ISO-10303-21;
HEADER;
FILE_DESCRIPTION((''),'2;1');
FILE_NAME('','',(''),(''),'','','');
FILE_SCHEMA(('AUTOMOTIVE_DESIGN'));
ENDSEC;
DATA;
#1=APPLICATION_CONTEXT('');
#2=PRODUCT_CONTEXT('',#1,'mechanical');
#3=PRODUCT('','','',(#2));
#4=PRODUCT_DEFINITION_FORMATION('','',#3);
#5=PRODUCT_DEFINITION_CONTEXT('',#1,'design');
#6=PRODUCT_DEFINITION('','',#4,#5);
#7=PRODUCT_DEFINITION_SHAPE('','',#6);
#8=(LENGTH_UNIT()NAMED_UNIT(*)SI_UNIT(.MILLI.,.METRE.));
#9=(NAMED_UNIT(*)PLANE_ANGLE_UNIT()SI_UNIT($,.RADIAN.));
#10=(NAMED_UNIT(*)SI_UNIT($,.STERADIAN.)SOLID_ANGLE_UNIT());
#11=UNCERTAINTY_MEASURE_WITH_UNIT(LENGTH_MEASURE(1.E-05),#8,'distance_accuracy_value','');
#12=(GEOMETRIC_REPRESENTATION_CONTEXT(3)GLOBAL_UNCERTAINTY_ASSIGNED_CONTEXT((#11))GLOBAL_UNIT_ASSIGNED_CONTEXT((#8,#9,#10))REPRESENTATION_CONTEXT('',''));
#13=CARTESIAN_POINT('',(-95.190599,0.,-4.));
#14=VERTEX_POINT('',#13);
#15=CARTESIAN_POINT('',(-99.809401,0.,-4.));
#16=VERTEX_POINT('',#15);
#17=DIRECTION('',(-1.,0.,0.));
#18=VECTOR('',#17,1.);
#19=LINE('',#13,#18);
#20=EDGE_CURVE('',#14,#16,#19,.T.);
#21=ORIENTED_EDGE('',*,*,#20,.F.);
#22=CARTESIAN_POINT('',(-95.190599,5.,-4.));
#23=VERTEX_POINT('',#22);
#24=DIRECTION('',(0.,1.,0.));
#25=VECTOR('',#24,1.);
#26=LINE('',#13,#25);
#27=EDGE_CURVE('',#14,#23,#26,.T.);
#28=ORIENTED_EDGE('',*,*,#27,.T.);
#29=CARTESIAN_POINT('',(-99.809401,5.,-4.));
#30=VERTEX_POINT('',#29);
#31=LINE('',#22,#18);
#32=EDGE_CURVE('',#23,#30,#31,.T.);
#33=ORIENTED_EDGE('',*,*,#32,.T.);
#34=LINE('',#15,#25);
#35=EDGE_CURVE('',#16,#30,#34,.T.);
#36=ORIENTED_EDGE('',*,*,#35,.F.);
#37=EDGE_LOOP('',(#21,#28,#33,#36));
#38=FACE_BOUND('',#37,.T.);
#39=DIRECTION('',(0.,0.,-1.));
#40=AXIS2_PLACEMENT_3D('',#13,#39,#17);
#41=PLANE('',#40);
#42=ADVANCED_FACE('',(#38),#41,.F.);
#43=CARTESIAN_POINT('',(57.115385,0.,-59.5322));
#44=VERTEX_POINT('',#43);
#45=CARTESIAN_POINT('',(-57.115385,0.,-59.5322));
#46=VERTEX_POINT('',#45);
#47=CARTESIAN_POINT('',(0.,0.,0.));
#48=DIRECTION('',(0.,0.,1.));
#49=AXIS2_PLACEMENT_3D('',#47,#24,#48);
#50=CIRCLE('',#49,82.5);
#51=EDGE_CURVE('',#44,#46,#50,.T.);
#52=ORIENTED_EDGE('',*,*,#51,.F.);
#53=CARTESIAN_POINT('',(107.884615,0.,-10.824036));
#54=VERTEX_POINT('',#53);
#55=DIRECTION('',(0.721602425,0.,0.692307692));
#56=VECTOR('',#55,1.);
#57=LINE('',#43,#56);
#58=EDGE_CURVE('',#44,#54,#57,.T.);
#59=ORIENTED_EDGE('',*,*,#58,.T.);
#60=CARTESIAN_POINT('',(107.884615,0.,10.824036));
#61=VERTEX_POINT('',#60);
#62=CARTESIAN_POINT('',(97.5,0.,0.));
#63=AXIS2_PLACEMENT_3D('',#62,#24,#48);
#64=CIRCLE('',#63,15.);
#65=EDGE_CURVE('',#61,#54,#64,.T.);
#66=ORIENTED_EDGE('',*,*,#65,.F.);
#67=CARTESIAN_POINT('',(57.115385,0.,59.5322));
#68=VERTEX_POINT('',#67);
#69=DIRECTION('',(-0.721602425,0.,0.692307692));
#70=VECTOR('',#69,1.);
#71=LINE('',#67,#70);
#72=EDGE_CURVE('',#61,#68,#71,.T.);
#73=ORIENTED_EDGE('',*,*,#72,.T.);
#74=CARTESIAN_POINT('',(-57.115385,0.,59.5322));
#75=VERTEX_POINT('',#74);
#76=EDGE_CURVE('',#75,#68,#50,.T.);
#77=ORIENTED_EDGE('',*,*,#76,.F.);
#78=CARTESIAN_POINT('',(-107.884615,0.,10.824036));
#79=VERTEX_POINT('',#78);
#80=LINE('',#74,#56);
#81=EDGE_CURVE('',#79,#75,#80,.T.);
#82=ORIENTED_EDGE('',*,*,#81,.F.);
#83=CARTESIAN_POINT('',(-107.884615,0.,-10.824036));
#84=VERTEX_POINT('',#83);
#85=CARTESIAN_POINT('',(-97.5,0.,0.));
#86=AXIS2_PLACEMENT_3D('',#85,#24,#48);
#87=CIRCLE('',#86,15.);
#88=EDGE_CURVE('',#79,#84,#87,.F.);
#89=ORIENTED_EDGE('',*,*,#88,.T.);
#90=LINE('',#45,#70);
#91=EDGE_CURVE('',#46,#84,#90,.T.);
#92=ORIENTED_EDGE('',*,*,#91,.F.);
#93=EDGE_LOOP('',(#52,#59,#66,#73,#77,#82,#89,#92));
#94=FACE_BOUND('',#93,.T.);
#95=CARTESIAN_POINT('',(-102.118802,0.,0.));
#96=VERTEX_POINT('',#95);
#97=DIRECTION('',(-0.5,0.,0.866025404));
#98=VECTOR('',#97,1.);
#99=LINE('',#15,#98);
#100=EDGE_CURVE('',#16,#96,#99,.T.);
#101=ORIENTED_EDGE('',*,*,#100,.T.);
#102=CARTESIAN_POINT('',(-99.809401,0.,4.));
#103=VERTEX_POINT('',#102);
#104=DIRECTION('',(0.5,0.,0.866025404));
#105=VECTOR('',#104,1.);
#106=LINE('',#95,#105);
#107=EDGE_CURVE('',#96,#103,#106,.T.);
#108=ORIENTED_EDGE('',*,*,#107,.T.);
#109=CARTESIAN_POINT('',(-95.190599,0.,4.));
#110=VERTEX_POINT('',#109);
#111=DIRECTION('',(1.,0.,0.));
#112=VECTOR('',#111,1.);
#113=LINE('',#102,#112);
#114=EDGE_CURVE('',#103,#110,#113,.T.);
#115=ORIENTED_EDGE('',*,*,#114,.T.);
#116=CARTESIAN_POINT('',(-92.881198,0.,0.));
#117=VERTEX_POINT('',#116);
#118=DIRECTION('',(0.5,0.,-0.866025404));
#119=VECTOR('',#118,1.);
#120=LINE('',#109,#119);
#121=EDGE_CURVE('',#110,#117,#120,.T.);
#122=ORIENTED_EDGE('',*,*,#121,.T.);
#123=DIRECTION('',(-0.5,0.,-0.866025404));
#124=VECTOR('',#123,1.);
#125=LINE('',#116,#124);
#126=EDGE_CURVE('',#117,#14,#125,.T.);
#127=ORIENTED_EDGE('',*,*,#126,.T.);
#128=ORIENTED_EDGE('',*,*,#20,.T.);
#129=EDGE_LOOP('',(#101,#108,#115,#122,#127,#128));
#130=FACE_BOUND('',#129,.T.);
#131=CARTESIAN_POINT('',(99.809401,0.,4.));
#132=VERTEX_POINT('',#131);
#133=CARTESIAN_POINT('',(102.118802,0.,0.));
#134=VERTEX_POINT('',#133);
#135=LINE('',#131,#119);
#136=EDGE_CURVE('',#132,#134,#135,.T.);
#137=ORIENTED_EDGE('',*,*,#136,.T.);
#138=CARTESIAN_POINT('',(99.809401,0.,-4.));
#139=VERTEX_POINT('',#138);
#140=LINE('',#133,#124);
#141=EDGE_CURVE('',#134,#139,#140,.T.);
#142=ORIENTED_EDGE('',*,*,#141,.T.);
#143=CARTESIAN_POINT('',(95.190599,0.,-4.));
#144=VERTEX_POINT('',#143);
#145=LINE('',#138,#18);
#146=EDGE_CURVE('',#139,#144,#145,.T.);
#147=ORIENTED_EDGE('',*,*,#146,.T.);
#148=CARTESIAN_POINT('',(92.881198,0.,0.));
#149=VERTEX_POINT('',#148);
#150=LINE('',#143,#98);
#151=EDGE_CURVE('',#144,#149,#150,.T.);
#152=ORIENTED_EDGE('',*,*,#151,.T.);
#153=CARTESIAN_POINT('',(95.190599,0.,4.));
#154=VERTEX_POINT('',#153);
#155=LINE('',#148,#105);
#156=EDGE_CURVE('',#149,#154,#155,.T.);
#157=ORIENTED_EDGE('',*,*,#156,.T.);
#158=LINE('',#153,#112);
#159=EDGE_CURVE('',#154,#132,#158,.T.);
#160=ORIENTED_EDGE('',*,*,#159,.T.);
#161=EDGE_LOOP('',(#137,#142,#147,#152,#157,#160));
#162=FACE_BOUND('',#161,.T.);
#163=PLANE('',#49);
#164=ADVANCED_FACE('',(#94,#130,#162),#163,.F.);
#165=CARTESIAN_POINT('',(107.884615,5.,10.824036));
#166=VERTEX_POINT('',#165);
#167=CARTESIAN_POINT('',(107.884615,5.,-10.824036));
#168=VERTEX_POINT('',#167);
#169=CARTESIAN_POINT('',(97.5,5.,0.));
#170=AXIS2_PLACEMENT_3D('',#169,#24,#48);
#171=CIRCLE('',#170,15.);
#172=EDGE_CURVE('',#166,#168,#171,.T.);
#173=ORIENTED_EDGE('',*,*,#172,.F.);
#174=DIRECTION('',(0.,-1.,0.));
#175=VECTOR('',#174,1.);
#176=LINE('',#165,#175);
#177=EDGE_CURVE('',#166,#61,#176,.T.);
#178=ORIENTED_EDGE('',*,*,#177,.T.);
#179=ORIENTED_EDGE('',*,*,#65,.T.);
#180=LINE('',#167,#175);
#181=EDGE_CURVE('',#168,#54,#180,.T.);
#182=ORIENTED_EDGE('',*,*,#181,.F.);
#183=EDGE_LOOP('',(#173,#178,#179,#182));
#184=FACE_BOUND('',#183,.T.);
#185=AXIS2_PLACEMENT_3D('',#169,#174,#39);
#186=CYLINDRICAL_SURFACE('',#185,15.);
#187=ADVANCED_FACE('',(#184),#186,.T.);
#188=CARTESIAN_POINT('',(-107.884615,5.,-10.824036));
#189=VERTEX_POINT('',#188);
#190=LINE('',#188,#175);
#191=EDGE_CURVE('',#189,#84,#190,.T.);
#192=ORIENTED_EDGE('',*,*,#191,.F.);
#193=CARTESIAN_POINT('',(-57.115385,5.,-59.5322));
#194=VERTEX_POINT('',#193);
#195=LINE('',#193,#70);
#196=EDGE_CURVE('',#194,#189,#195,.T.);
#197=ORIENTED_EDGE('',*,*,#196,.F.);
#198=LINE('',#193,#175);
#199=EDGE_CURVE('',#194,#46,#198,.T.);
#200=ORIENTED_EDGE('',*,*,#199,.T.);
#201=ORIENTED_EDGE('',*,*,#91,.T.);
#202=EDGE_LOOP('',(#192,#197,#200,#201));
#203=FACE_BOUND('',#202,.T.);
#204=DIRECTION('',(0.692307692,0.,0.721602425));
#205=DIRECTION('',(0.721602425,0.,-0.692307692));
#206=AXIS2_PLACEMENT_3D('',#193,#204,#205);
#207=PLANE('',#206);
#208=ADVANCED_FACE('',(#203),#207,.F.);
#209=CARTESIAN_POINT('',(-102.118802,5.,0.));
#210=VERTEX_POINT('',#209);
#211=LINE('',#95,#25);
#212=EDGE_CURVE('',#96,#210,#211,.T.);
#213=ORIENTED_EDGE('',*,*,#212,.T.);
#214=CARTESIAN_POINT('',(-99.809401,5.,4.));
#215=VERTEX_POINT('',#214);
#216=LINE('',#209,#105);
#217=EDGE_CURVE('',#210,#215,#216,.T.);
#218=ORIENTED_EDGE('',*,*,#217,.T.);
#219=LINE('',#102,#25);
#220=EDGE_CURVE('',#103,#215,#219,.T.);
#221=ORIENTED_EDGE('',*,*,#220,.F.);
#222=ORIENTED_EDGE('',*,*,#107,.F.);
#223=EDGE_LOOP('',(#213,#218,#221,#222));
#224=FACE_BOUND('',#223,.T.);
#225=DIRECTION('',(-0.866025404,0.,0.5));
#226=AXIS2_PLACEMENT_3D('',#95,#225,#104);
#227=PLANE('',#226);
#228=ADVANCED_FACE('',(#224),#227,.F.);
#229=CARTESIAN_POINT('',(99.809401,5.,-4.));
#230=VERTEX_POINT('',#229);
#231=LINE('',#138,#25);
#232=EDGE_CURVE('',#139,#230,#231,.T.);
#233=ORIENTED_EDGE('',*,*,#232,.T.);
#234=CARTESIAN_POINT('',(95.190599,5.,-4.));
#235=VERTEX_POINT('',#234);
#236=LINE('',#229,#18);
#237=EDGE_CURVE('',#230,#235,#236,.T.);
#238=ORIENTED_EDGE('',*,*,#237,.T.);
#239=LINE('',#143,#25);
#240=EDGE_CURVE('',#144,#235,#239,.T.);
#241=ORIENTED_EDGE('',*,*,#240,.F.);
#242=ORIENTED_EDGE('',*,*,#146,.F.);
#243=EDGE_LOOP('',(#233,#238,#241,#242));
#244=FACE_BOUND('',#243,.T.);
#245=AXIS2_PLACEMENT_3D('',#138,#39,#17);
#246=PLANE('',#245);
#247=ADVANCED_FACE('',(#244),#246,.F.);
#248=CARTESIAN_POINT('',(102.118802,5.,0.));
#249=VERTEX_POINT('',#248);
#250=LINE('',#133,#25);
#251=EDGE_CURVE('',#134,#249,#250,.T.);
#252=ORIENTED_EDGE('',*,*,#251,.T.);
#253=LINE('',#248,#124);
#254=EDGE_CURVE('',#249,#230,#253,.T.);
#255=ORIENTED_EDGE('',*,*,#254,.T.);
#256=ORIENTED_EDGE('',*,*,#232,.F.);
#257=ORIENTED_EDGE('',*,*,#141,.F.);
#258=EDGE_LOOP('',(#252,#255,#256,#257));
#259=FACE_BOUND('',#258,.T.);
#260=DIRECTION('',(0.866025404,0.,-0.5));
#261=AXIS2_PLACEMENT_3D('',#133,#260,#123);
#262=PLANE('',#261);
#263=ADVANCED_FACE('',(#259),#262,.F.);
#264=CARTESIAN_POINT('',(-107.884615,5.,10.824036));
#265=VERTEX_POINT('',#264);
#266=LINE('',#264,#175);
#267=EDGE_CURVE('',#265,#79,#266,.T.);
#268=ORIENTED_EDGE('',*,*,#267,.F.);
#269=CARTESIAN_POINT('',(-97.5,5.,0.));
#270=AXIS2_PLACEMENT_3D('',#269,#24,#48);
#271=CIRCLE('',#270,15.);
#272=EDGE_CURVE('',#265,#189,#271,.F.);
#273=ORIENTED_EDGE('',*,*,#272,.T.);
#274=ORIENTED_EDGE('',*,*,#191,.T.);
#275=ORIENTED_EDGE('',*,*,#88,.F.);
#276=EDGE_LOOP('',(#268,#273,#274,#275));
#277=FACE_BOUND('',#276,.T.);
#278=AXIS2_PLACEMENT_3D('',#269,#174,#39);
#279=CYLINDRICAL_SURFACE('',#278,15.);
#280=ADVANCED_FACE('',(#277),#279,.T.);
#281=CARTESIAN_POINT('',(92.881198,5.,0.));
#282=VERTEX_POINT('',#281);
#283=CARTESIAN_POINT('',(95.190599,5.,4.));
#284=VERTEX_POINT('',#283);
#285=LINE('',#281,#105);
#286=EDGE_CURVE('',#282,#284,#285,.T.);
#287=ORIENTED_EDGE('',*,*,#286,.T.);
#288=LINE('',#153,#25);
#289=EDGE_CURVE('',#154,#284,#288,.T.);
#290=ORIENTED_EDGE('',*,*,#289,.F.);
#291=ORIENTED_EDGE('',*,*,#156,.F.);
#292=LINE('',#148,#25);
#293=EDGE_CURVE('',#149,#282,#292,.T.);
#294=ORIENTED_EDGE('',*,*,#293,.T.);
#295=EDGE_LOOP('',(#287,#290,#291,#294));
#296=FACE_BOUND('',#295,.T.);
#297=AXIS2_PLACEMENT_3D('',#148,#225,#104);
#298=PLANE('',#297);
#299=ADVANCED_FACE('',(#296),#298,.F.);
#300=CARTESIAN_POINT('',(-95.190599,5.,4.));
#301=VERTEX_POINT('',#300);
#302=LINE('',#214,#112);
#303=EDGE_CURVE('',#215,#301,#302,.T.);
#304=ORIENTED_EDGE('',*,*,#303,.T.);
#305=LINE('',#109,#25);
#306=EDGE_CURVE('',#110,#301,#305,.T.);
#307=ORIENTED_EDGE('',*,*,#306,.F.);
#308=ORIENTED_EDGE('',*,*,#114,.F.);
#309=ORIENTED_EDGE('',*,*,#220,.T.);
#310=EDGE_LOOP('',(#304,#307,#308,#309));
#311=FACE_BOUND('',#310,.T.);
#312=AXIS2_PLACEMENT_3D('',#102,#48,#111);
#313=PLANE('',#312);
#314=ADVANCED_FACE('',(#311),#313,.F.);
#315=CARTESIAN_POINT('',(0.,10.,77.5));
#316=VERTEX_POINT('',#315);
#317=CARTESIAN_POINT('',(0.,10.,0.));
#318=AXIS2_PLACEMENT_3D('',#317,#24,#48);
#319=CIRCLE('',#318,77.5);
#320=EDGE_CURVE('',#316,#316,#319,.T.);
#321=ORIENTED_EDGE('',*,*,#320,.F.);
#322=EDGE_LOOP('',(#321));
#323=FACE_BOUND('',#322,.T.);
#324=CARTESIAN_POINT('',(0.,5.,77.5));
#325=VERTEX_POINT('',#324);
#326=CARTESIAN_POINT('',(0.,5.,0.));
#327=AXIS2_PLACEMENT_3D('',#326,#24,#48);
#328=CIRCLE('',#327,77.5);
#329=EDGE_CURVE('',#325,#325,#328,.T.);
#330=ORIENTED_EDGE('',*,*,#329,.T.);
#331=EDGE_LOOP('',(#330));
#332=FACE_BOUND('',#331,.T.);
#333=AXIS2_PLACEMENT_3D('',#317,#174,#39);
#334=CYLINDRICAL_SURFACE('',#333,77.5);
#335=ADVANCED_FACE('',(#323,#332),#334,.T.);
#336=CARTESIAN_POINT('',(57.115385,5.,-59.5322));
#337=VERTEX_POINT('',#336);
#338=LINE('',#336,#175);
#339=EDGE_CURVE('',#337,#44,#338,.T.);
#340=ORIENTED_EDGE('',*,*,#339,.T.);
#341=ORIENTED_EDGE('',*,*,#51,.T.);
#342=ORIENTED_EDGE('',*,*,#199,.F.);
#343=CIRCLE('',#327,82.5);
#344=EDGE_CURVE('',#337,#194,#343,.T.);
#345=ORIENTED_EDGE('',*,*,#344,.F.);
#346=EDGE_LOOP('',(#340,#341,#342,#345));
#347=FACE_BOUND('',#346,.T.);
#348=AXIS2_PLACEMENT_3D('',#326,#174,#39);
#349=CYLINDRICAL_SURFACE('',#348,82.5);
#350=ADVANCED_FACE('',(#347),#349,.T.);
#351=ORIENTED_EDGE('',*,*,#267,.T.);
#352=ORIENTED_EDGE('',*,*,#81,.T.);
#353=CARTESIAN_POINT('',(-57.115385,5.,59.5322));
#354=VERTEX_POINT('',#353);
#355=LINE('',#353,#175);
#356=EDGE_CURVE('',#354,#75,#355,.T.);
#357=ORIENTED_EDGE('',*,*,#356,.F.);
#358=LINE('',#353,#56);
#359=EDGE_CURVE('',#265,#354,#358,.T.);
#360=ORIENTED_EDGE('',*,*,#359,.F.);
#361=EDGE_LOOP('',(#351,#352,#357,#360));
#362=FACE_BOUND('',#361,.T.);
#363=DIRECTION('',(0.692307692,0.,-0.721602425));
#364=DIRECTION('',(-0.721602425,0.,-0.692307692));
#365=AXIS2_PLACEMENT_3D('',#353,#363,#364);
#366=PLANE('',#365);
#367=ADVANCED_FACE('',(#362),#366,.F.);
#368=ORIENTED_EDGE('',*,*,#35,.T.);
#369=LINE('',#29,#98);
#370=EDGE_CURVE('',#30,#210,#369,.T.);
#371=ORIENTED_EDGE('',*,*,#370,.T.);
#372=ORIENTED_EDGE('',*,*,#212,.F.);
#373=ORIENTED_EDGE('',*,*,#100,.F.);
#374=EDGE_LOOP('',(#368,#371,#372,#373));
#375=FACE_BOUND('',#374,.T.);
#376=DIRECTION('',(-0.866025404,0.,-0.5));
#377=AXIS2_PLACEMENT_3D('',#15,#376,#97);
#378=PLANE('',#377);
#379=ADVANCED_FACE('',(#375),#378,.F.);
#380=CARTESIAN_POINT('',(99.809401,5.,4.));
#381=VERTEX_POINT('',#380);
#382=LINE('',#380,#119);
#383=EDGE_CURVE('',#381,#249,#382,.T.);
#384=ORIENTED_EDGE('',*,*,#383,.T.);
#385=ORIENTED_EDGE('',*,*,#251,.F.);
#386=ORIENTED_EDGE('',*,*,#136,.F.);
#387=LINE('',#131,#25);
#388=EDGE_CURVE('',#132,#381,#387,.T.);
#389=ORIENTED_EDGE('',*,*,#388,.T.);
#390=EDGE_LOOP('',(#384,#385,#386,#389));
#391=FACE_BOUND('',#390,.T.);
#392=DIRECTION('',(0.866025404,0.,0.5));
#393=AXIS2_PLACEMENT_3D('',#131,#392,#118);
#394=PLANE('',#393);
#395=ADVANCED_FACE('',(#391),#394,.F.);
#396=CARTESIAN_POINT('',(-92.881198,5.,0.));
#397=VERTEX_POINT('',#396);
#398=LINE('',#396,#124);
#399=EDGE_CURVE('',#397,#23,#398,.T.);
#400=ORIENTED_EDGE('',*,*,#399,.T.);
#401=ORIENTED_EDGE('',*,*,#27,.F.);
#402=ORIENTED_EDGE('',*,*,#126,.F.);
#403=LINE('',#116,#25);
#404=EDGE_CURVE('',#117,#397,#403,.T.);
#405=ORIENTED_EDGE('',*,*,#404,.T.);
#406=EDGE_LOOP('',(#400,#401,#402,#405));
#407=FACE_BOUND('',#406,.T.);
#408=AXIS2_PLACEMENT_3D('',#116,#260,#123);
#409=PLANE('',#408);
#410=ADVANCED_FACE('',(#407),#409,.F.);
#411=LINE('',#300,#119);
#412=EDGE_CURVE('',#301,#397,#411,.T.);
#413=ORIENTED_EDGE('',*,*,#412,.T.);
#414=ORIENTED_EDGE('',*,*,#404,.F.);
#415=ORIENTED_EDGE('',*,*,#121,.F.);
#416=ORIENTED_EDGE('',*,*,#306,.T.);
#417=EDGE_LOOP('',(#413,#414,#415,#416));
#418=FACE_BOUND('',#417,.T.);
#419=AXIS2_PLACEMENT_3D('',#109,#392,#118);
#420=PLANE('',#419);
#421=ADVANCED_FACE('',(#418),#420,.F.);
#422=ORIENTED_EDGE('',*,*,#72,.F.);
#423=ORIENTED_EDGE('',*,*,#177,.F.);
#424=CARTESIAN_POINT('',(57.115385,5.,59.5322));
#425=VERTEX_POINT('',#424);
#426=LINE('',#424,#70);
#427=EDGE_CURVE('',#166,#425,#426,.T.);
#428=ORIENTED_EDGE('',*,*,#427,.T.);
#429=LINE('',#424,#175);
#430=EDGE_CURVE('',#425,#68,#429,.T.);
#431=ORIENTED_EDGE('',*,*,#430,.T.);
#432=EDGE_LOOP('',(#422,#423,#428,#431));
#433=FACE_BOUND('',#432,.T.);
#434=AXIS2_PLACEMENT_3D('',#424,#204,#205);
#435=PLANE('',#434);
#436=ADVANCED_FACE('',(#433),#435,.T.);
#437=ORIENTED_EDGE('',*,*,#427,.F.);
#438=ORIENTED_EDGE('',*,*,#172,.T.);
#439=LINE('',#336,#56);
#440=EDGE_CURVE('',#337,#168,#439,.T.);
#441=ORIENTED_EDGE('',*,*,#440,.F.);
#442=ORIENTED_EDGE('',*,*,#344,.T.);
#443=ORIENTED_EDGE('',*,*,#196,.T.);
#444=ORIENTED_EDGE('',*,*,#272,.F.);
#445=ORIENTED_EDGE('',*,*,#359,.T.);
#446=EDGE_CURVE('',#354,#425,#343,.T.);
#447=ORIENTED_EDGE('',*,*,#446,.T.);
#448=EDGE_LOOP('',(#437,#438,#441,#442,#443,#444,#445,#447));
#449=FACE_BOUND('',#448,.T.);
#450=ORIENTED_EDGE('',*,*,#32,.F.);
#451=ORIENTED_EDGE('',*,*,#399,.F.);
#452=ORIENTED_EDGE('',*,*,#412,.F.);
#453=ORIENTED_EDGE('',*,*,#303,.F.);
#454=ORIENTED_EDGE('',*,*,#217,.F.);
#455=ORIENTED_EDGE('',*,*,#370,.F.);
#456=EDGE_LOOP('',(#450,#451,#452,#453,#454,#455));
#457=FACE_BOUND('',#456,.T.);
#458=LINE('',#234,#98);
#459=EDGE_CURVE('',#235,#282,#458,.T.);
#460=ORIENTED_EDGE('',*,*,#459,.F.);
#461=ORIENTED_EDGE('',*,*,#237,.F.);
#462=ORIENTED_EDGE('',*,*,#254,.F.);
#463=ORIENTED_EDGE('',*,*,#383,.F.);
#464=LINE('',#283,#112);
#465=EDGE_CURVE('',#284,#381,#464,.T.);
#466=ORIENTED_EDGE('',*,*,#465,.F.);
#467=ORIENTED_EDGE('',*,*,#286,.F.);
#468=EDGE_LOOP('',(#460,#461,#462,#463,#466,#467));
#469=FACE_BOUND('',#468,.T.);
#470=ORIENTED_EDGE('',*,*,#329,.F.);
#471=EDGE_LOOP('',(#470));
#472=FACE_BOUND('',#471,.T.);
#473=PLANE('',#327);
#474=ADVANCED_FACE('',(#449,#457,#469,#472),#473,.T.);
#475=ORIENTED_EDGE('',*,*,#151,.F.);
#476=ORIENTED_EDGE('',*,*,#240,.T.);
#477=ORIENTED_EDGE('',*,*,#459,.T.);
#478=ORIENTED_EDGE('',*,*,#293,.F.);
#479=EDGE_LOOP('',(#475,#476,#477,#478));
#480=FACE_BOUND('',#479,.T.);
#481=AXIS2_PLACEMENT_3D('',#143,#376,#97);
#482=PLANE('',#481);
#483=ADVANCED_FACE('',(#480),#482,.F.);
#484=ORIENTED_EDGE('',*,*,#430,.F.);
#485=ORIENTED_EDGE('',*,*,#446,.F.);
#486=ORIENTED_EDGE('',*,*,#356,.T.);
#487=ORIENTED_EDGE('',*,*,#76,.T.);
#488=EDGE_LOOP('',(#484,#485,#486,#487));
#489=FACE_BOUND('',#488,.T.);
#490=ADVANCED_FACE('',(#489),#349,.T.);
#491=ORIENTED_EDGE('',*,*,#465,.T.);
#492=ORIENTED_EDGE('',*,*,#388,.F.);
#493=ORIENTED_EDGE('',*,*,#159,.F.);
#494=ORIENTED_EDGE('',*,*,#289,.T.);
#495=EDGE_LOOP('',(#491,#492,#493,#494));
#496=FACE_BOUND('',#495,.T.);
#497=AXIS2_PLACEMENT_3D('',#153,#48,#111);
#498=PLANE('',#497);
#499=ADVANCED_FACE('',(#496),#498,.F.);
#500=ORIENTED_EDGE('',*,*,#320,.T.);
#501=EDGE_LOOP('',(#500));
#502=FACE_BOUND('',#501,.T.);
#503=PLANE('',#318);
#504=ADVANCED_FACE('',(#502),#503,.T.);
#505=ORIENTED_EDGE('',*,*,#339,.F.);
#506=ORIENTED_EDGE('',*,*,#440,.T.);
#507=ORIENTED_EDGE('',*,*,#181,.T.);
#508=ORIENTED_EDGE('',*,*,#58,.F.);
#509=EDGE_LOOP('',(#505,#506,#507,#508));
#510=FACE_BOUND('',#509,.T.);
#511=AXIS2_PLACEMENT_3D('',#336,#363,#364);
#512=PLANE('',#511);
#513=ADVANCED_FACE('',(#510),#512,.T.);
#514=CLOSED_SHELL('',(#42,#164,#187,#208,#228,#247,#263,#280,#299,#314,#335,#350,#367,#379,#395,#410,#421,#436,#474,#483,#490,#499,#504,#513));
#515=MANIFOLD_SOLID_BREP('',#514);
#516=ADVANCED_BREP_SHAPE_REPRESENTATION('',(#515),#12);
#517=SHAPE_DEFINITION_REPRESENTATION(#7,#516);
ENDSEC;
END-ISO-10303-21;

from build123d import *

# Parameters (mm, degrees)
BOSS_EXTRUDE1_DEPTH = 5
SKETCH2_R           = 77.5
BOSS_EXTRUDE2_DEPTH = 5
CUT_EXTRUDE1_DEPTH  = 6


with BuildPart() as part:
    # Sketch1 → Boss-Extrude1 (new body)
    with BuildSketch(Plane(origin=(0, 0, 0), x_dir=(1, 0, 0), z_dir=(0, 1, 0))):
        with BuildLine():
            Line((107.884615385, 10.824036369), (57.115384615, 59.532200029))
            ThreePointArc((57.115384615, 59.532200029), (0, 82.5), (-57.115384615, 59.532200029))
            Line((-57.115384615, 59.532200029), (-107.884615385, 10.824036369))
            ThreePointArc((-107.884615385, 10.824036369), (-112.5, 0), (-107.884615385, -10.824036369))
            Line((-107.884615385, -10.824036369), (-57.115384615, -59.532200029))
            ThreePointArc((-57.115384615, -59.532200029), (0, -82.5), (57.115384615, -59.532200029))
            Line((57.115384615, -59.532200029), (107.884615385, -10.824036369))
            ThreePointArc((107.884615385, -10.824036369), (112.5, 0), (107.884615385, 10.824036369))
        make_face()
    extrude(amount=BOSS_EXTRUDE1_DEPTH)

    # Sketch2 → Boss-Extrude2 (add)
    with BuildSketch(Plane(origin=(0, 5, 0), x_dir=(1, 0, 0), z_dir=(0, 1, 0))):
        Circle(SKETCH2_R)
    extrude(amount=BOSS_EXTRUDE2_DEPTH)

    # Sketch3 → Cut-Extrude1 (cut, through all)
    with BuildSketch(Plane(origin=(0, 5, 0), x_dir=(1, 0, 0), z_dir=(0, 1, 0))):
        Polygon((-95.190598923, 4), (-99.809401077, 4), (-102.118802154, 0), (-99.809401077, -4), (-95.190598923, -4), (-92.881197846, 0), align=None)
        Polygon((99.809401077, 4), (95.190598923, 4), (92.881197846, 0), (95.190598923, -4), (99.809401077, -4), (102.118802154, 0), align=None)
    extrude(amount=-CUT_EXTRUDE1_DEPTH, mode=Mode.SUBTRACT)


solid = part.part
